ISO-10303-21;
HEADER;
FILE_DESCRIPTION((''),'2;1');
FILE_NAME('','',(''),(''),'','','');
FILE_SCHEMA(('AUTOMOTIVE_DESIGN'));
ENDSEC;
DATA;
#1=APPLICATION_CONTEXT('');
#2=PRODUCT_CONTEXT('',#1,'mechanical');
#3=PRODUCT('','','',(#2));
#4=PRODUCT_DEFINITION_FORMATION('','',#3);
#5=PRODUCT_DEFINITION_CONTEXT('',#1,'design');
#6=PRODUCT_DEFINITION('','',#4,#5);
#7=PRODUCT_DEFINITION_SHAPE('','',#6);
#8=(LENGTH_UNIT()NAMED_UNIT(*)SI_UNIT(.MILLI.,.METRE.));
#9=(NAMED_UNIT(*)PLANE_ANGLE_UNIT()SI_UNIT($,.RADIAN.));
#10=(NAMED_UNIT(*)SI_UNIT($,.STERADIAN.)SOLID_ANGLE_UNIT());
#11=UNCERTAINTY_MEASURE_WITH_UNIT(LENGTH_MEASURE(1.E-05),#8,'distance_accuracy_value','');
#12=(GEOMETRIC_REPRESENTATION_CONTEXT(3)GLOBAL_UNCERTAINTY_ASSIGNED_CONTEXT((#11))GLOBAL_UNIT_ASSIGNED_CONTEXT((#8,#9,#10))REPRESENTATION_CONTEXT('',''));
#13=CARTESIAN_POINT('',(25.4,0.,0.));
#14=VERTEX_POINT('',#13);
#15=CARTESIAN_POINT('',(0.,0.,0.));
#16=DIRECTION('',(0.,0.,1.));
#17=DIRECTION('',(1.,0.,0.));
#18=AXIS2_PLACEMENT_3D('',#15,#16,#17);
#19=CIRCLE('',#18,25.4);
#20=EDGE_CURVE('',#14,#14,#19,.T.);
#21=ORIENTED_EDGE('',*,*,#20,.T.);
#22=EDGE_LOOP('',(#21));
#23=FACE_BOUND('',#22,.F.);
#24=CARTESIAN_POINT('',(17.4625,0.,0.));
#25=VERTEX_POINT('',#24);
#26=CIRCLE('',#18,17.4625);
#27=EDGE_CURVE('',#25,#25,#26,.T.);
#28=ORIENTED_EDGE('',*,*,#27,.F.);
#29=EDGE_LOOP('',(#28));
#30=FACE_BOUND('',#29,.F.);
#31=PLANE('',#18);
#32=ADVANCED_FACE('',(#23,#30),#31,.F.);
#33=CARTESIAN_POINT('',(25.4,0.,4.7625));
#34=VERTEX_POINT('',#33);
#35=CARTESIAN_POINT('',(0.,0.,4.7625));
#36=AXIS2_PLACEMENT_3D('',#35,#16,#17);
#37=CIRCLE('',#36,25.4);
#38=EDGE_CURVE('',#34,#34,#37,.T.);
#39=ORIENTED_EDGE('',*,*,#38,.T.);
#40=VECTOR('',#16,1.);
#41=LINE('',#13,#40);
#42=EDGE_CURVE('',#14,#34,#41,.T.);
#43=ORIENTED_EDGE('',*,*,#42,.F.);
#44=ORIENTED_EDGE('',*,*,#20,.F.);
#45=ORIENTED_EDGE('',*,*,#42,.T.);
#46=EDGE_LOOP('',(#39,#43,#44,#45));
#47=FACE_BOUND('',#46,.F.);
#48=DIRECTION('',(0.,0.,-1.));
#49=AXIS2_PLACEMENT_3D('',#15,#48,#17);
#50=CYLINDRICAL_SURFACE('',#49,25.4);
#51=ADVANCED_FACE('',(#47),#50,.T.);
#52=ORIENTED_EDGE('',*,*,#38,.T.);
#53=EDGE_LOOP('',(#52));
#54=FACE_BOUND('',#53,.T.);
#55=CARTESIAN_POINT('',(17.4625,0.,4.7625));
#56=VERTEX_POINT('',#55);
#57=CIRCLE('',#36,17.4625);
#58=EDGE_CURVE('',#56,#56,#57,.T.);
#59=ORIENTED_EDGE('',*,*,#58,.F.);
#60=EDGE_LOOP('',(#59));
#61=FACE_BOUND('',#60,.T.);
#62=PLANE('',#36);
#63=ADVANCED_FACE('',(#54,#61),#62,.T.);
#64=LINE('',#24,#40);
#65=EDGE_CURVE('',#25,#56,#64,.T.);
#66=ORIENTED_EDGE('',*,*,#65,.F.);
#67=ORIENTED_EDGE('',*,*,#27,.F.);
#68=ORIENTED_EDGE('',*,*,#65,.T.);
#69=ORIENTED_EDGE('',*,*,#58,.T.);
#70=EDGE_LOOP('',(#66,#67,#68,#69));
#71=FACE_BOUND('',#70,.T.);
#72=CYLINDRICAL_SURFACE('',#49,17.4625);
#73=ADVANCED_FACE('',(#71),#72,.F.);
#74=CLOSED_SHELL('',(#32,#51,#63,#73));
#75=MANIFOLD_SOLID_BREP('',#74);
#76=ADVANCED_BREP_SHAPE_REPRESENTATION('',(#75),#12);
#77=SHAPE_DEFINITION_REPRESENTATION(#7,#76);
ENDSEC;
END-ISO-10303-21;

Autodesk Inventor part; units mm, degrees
ref_plane "YZ Plane" through (0, 0, 0) normal (1, 0, 0) x (0, 1, 0)
ref_plane "XZ Plane" through (0, 0, 0) normal (0, 1, 0) x (-1, 0, 0)
ref_plane "XY Plane" through (0, 0, 0) normal (0, 0, 1) x (1, 0, 0)
sketch "Sketch1" plane through (0, 0, 0) normal (0, 0, 1) x (1, 0, 0)
  circle A0 centre (0, 0) radius 17.4625
  circle A1 centre (0, 0) radius 25.4
  dimension "d0" = 34.925
  dimension "d2" = 50.8
extrude "Extrusion1" add sketch "Sketch1" along normal blind 4.7625
properties part number "Carriage Spacer - Thrust Bearing"
